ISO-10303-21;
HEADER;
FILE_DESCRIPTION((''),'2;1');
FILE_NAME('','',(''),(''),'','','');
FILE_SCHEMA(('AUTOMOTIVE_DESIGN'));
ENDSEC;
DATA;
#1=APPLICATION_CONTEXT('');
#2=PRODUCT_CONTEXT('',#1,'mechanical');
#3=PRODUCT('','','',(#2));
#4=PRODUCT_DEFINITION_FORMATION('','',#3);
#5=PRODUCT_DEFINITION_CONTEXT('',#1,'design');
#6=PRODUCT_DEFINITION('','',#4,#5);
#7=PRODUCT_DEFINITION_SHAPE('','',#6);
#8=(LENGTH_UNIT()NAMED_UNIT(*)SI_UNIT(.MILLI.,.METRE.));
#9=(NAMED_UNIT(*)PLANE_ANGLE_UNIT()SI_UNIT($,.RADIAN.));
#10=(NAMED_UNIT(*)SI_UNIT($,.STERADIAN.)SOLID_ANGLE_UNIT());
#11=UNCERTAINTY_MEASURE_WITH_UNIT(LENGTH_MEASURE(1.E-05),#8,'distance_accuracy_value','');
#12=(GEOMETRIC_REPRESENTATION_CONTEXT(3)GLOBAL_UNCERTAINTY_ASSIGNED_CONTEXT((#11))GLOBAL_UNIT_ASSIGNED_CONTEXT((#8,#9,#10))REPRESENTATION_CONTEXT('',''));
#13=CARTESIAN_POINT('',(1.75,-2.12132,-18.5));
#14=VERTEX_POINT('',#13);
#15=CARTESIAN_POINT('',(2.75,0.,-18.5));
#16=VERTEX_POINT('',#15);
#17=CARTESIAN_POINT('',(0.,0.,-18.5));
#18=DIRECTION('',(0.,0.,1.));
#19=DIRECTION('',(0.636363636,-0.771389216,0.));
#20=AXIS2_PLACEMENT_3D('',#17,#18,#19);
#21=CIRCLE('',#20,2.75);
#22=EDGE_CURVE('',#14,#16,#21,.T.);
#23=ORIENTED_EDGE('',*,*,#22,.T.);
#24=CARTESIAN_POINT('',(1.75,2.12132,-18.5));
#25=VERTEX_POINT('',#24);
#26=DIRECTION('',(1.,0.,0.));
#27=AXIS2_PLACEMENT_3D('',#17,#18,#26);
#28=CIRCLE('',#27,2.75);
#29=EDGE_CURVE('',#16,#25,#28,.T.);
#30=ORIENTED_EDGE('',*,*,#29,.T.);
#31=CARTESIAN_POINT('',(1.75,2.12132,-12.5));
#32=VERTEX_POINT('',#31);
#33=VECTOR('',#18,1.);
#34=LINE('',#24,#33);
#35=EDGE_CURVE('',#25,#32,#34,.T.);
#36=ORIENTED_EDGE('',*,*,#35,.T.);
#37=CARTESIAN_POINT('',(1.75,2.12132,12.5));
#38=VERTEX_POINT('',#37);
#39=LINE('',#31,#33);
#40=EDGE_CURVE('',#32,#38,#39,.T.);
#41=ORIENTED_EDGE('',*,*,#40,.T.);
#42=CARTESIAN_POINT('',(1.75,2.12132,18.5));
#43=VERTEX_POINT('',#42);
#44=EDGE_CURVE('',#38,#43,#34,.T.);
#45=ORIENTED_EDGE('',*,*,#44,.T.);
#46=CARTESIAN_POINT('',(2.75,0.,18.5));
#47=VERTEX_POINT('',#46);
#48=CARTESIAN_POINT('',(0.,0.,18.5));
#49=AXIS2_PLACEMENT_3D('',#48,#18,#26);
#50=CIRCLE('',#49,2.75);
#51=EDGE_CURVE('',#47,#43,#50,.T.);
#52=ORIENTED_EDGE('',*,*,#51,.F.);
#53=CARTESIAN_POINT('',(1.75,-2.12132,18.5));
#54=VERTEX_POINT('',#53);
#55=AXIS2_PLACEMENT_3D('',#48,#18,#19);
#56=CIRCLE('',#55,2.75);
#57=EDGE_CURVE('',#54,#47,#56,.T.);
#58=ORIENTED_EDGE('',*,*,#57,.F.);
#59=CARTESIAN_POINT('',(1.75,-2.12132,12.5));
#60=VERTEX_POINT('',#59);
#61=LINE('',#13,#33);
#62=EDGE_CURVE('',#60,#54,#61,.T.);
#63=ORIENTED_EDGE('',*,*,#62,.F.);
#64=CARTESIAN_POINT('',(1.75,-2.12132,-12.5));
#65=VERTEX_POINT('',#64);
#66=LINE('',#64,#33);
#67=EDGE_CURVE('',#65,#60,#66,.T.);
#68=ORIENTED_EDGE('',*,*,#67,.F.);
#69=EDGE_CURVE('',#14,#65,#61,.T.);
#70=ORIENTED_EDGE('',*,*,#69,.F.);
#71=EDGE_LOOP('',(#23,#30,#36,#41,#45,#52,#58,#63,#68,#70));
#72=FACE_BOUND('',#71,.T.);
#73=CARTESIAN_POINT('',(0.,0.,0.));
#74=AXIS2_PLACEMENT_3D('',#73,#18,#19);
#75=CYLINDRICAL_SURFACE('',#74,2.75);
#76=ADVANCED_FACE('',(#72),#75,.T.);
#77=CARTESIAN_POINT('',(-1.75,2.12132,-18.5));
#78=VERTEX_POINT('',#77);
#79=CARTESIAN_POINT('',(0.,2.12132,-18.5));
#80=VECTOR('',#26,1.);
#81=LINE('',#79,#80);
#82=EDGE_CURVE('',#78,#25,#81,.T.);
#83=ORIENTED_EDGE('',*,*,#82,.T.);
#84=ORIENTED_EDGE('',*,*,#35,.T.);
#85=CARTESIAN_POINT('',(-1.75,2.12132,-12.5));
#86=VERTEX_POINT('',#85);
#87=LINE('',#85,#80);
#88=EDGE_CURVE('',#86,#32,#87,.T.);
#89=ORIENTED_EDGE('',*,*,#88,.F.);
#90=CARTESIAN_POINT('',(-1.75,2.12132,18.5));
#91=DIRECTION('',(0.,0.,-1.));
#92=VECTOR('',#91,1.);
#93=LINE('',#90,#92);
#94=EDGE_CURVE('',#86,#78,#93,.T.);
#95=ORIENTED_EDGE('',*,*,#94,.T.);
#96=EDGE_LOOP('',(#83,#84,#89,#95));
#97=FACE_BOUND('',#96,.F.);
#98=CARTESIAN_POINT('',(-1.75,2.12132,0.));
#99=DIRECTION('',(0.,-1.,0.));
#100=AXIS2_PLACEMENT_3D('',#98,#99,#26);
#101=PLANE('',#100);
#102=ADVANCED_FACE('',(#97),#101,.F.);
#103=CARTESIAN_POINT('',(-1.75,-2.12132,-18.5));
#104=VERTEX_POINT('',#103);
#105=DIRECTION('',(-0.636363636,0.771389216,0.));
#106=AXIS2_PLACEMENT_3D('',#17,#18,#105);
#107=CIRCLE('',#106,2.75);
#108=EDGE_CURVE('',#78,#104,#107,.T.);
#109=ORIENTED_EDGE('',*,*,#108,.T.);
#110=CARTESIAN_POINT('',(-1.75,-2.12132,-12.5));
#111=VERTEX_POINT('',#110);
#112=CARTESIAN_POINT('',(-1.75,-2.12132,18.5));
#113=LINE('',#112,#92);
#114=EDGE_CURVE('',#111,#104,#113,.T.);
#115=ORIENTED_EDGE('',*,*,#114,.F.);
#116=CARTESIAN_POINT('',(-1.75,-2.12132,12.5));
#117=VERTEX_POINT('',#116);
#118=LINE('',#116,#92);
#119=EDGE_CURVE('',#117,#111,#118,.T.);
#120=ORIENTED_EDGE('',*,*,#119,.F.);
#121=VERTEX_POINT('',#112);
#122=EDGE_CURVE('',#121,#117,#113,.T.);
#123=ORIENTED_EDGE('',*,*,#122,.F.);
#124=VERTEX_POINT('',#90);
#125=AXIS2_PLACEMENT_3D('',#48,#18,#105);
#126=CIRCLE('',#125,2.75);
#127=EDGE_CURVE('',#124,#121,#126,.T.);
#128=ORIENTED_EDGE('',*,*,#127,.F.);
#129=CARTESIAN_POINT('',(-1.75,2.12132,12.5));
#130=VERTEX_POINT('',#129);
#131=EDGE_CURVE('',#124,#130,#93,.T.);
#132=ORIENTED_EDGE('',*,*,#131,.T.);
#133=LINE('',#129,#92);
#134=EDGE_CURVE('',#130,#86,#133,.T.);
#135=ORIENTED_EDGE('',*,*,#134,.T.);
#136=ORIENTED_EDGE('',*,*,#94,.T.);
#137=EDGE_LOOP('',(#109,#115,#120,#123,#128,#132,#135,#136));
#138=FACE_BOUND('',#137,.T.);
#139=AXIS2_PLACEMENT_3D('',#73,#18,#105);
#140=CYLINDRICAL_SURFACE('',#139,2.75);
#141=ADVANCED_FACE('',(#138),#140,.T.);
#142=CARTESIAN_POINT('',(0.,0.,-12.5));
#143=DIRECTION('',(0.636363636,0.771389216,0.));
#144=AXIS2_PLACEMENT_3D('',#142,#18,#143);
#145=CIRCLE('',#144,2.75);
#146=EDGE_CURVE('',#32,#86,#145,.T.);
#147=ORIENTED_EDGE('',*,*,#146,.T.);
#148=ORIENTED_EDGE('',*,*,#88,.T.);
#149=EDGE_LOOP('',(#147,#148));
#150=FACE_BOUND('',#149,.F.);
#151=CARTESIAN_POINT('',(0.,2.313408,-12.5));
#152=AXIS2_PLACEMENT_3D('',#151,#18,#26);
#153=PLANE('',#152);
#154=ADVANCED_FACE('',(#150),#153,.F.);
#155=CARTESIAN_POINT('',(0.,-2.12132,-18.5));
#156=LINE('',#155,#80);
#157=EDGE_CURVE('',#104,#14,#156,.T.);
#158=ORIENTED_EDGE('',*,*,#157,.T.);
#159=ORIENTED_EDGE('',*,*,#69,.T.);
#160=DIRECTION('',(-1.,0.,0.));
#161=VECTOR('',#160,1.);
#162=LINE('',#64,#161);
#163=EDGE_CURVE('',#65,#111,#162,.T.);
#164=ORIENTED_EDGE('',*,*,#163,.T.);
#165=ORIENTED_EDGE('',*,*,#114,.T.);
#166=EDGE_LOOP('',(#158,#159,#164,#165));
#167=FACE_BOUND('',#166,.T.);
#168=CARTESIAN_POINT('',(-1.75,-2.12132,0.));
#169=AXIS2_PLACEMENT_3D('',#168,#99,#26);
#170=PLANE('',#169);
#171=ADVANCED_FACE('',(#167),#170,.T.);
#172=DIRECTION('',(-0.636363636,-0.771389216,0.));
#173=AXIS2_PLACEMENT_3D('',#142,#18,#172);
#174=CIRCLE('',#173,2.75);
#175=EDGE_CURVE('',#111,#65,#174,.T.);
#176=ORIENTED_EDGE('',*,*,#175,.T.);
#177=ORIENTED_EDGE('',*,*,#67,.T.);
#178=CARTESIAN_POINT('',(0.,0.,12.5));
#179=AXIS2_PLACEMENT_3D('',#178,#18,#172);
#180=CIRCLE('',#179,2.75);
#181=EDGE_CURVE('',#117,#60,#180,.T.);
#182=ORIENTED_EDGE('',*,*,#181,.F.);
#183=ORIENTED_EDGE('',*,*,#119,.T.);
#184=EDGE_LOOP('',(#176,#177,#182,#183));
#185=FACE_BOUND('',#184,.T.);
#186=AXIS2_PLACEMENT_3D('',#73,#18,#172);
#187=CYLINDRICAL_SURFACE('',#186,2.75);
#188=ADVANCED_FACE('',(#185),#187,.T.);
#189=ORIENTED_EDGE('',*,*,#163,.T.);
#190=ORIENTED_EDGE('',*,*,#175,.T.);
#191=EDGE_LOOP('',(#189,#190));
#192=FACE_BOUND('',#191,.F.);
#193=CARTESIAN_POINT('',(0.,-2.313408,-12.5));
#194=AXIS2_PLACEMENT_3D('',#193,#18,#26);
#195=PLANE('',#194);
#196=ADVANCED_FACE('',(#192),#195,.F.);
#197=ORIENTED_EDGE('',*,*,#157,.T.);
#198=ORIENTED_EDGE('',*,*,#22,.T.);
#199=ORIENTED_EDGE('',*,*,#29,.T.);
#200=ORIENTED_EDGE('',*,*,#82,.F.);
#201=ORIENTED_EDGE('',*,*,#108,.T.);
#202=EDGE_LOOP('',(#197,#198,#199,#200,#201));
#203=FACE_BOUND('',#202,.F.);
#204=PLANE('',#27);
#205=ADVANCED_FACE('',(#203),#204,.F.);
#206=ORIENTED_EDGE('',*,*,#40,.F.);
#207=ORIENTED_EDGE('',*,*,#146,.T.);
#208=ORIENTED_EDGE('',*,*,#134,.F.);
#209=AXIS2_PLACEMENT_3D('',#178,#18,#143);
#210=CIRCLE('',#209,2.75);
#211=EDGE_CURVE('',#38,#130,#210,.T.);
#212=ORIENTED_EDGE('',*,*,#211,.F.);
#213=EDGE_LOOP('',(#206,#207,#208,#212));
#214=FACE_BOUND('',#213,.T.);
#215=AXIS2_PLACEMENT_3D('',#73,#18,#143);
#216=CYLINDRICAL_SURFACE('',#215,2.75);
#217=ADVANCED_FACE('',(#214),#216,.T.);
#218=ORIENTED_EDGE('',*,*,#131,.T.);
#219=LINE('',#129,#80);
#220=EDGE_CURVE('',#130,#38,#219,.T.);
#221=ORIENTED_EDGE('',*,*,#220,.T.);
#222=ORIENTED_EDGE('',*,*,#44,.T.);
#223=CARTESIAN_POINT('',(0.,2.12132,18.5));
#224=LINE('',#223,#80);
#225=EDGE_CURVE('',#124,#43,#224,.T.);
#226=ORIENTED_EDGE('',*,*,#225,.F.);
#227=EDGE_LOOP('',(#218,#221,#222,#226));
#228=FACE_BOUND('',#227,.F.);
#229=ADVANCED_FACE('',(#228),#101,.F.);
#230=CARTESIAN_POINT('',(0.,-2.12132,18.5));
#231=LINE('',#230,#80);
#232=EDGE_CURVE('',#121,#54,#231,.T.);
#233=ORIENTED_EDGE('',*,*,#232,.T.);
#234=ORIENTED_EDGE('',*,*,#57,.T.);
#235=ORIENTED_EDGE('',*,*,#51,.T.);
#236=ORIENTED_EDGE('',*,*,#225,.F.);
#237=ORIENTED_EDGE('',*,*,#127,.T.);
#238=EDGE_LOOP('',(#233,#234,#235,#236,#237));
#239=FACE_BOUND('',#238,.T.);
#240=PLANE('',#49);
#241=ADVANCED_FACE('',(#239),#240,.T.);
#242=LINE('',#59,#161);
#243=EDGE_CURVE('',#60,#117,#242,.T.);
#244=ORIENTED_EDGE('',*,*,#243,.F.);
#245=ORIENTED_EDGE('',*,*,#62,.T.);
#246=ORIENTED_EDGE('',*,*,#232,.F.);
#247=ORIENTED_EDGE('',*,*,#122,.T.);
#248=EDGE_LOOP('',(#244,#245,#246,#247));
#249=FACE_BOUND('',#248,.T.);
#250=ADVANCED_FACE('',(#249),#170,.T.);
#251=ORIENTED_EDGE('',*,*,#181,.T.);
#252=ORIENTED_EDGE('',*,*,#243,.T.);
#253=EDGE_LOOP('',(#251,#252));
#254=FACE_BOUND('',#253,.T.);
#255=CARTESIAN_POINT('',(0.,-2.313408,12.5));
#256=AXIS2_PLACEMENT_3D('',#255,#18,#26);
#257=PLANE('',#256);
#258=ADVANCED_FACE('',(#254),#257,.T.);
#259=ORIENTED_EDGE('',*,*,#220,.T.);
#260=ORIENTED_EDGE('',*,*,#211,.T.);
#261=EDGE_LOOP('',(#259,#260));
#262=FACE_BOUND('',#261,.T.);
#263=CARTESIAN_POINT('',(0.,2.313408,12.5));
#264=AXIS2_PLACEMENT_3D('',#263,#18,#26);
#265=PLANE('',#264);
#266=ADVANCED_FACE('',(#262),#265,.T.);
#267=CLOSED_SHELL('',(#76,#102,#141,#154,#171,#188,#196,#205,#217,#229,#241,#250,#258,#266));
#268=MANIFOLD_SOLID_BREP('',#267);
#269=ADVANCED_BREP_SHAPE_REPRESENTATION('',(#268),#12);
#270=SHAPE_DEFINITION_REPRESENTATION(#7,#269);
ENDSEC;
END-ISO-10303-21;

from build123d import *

# Parameters (mm, degrees)
F1_DEPTH = 12.5
F0_W     = 3.5
F0_H     = 4.2426406871
F2_DEPTH = 18.5


with BuildPart() as f1:
    # F0 (on Top) → F1 (new body, symmetric)
    with BuildSketch(Plane.XY):
        with BuildLine():
            Line((-1.75, 2.1213203436), (1.75, 2.1213203436))
            ThreePointArc((1.75, 2.1213203436), (0, 2.75), (-1.75, 2.1213203436))
        make_face()
    extrude(amount=F1_DEPTH, both=True)



with BuildPart() as f1b:
    # F0 (on Top) → F1, piece 2 (new body, symmetric)
    with BuildSketch(Plane.XY):
        with BuildLine():
            ThreePointArc((-1.75, -2.1213203436), (0, -2.75), (1.75, -2.1213203436))
            Line((1.75, -2.1213203436), (-1.75, -2.1213203436))
        make_face()
    extrude(amount=F1_DEPTH, both=True)


with BuildPart() as f1_1:
    add(f1.part)

    add(f1b.part)  # F2 merges F1b
    # F0 (on Top) → F2 (join, symmetric)
    with BuildSketch(Plane.XY):
        Rectangle(F0_W, F0_H)
        with BuildLine():
            ThreePointArc((1.75, -2.1213203436), (2.4874685928, -1.17260394), (2.75, 0))
            ThreePointArc((2.75, 0), (2.4874685928, 1.17260394), (1.75, 2.1213203436))
            Line((1.75, 2.1213203436), (1.75, -2.1213203436))
        make_face()
        with BuildLine():
            Line((-1.75, -2.1213203436), (-1.75, 2.1213203436))
            ThreePointArc((-1.75, 2.1213203436), (-2.75, 0), (-1.75, -2.1213203436))
        make_face()
    extrude(amount=F2_DEPTH, both=True)


solid = f1_1.part
